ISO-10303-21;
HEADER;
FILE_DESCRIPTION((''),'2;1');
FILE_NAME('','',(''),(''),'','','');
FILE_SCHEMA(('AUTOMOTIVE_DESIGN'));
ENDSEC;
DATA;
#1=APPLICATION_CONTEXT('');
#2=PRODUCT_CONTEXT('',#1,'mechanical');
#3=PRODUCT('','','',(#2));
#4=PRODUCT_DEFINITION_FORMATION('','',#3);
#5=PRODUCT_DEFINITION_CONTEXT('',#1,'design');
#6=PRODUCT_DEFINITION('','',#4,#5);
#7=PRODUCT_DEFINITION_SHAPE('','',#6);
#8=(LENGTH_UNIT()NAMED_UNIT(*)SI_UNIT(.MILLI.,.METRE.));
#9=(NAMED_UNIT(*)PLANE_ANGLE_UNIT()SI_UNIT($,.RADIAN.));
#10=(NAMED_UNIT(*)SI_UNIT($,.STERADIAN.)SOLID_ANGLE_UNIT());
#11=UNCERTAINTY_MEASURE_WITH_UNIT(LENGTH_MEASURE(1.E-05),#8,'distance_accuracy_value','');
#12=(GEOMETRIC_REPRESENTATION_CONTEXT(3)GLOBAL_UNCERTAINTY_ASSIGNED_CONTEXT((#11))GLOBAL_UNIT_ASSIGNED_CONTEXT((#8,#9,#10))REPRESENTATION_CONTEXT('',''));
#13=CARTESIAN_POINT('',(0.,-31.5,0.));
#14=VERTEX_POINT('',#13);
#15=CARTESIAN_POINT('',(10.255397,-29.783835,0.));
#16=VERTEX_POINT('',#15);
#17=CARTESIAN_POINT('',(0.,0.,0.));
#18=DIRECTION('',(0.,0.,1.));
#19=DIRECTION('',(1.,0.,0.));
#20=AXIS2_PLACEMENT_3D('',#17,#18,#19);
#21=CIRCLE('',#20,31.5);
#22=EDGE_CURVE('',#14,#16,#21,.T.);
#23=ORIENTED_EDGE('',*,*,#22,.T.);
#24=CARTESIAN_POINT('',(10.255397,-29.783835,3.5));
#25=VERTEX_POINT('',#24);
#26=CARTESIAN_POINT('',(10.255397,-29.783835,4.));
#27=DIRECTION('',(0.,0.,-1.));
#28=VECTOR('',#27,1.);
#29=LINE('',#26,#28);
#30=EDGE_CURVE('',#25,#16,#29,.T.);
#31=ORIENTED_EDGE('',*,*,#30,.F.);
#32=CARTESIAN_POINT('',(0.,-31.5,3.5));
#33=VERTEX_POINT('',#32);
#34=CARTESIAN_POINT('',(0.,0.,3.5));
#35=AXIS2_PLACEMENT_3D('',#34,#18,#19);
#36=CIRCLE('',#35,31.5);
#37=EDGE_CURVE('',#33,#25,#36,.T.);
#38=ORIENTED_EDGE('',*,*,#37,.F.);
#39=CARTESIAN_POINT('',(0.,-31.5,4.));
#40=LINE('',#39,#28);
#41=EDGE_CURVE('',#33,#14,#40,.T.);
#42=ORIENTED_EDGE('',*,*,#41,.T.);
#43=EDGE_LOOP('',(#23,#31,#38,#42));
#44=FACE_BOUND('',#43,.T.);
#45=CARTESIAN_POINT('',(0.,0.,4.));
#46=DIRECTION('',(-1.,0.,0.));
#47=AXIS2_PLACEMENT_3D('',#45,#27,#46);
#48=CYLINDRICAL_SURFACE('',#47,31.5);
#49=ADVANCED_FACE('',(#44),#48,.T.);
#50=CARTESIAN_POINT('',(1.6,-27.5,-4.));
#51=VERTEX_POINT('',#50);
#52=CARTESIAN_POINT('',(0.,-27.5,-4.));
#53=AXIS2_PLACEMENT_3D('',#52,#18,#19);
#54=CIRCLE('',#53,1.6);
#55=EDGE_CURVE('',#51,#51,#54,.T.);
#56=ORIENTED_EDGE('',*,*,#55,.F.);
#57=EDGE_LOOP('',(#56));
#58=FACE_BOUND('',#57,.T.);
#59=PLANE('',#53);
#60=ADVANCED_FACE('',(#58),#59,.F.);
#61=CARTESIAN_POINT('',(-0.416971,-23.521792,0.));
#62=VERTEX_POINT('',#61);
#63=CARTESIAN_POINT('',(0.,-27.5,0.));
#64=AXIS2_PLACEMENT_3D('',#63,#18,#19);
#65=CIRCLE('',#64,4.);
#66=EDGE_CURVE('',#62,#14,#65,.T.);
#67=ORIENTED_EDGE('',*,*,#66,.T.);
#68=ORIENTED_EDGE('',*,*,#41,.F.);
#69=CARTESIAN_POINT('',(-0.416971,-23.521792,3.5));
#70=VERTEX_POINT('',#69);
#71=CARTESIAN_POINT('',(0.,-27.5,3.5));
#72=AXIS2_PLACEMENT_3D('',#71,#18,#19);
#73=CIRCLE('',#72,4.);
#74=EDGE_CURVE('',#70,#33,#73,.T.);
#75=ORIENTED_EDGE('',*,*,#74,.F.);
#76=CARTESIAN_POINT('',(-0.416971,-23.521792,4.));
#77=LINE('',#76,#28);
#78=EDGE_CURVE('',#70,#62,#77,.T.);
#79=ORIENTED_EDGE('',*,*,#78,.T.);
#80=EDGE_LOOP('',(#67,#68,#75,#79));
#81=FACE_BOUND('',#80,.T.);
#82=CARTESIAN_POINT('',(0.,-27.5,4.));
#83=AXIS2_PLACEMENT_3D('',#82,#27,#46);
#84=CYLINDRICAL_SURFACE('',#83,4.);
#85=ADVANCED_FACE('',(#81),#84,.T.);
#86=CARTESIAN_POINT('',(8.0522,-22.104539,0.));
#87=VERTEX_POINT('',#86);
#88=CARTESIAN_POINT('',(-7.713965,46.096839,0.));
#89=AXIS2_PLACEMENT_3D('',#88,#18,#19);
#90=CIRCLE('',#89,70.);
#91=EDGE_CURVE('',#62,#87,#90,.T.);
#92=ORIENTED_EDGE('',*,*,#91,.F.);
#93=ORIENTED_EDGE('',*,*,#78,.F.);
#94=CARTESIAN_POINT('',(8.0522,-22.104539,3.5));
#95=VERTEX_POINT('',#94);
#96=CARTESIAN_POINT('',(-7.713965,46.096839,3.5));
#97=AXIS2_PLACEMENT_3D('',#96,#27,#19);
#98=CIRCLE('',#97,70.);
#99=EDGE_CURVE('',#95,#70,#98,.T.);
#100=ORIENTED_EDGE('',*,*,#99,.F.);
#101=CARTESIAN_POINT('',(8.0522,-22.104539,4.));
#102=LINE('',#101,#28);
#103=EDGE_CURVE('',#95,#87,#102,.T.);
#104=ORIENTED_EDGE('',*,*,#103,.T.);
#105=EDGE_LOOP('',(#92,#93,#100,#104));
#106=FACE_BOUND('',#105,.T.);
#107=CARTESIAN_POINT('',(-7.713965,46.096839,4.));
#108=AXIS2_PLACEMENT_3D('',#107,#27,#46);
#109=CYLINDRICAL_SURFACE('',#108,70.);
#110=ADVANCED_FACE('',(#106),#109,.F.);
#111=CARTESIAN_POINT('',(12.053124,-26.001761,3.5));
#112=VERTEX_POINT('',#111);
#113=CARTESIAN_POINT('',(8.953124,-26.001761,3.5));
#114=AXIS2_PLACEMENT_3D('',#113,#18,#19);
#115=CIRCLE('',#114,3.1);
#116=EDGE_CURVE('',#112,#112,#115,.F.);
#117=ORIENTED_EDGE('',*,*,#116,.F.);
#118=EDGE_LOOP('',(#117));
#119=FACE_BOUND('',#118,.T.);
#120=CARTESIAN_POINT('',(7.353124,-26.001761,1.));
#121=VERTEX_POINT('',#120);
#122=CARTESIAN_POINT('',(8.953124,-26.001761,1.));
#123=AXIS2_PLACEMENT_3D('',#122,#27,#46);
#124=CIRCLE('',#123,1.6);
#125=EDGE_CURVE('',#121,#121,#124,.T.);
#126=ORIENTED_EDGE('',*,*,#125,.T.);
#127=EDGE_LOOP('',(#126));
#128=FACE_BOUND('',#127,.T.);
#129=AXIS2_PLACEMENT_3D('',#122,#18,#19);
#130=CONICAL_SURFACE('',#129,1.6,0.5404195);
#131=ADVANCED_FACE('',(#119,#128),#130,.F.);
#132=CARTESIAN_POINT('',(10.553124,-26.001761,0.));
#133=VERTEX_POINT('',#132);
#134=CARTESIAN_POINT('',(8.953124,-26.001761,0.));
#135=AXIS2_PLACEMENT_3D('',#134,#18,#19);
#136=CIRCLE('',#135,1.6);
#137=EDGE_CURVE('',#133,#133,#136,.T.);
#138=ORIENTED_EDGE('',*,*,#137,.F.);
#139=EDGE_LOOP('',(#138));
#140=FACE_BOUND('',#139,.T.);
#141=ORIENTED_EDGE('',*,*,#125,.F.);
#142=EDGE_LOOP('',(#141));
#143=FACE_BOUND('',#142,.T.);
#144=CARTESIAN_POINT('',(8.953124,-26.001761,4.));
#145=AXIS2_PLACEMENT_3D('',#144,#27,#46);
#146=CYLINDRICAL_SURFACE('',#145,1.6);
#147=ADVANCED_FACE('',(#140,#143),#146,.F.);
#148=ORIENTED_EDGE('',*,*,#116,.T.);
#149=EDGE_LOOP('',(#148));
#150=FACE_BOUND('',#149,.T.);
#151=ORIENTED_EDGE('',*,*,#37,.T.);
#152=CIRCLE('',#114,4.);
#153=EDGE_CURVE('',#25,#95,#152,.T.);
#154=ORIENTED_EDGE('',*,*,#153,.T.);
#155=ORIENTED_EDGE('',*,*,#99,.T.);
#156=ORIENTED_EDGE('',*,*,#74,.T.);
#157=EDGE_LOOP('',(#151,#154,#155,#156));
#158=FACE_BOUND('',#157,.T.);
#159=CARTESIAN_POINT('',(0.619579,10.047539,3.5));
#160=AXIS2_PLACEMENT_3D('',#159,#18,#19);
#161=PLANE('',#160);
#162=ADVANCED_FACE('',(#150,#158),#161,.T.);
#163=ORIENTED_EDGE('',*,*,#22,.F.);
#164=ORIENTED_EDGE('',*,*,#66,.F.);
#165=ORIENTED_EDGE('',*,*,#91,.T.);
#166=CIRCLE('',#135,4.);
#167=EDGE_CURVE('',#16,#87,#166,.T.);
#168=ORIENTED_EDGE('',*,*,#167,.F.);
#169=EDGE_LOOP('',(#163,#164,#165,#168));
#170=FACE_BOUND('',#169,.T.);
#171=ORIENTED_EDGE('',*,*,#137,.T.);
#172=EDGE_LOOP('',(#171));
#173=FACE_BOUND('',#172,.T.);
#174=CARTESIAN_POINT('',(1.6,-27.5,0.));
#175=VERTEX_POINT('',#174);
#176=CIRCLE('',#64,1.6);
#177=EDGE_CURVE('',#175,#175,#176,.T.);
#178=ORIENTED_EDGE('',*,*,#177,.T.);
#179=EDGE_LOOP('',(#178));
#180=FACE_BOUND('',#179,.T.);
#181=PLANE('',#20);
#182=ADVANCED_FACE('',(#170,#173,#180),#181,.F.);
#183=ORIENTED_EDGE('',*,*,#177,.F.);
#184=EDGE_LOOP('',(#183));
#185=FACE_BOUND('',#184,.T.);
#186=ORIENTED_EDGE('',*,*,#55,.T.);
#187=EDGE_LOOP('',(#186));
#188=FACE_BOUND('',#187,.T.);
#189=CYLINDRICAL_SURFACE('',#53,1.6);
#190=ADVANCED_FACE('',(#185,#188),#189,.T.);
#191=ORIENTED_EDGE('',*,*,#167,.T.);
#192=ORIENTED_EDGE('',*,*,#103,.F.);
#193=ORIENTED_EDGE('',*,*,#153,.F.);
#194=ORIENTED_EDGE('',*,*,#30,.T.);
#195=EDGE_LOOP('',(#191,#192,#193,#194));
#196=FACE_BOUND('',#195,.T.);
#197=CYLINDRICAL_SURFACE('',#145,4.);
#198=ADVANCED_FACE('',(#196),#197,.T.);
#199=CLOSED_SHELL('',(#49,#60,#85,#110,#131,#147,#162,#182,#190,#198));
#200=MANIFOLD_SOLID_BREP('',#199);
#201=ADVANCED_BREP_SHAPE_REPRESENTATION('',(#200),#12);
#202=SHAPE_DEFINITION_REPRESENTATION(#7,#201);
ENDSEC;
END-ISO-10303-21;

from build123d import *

# Parameters (mm, degrees)
SKETCH_1_R          = 1.6
EXTRUDE_1_DEPTH     = 4
SKETCH_2_R          = 1.6
EXTRUDE_2_DEPTH     = 4
CUT_EXTRUDE_START   = -0.5
CUT_EXTRUDE_1_DEPTH = 0.5


with BuildPart() as part:
    # 草图1 → 凸台-拉伸1 (new body)
    with BuildSketch(Plane.XY):
        with BuildLine():
            ThreePointArc((-0.416971099, -23.521792476), (-3.994548166, -27.708770095), (0, -31.5))
            ThreePointArc((0, -31.5), (5.198999585, -31.067996448), (10.255396865, -29.783835131))
            ThreePointArc((10.255396865, -29.783835131), (12.798012634, -24.898659157), (8.052200486, -22.104539206))
            ThreePointArc((8.052200486, -22.104539206), (3.83936707, -22.943152918), (-0.416971099, -23.521792476))
        make_face()
        with Locations((8.953124248, -26.001760829)):
            Circle(SKETCH_1_R, mode=Mode.SUBTRACT)
    extrude(amount=EXTRUDE_1_DEPTH)

    # 草图2 → 凸台-拉伸2 (add)
    with BuildSketch(Plane.XY):
        with Locations((0, -27.5)):
            Circle(SKETCH_2_R)
    extrude(amount=-EXTRUDE_2_DEPTH)

    # 草图3 → 切除-旋转1 (revolve, cut)
    with BuildSketch(Plane(origin=(0, -26.001760829, 0), x_dir=(1, 0, 0), z_dir=(0, 1, 0))):
        Polygon((8.953124248, -3.5), (5.853124248, -3.5), (7.353124248, -1), (8.953124248, -1), align=None)
    revolve(axis=Axis((8.953124248, -26.001760829, 1), (0, 0, 1)), mode=Mode.SUBTRACT)

    # 草图5 → 切除-拉伸1 (cut)
    with BuildSketch(Plane.XY.offset(4).offset(CUT_EXTRUDE_START)):
        with BuildLine():
            ThreePointArc((-0.416971099, -23.521792476), (-3.994548166, -27.708770095), (0, -31.5))
            ThreePointArc((0, -31.5), (5.198999585, -31.067996448), (10.255396865, -29.783835131))
            ThreePointArc((10.255396865, -29.783835131), (12.798012634, -24.898659157), (8.052200486, -22.104539206))
            ThreePointArc((8.052200486, -22.104539206), (3.83936707, -22.943152918), (-0.416971099, -23.521792476))
        make_face()
    extrude(amount=CUT_EXTRUDE_1_DEPTH, mode=Mode.SUBTRACT)


solid = part.part
